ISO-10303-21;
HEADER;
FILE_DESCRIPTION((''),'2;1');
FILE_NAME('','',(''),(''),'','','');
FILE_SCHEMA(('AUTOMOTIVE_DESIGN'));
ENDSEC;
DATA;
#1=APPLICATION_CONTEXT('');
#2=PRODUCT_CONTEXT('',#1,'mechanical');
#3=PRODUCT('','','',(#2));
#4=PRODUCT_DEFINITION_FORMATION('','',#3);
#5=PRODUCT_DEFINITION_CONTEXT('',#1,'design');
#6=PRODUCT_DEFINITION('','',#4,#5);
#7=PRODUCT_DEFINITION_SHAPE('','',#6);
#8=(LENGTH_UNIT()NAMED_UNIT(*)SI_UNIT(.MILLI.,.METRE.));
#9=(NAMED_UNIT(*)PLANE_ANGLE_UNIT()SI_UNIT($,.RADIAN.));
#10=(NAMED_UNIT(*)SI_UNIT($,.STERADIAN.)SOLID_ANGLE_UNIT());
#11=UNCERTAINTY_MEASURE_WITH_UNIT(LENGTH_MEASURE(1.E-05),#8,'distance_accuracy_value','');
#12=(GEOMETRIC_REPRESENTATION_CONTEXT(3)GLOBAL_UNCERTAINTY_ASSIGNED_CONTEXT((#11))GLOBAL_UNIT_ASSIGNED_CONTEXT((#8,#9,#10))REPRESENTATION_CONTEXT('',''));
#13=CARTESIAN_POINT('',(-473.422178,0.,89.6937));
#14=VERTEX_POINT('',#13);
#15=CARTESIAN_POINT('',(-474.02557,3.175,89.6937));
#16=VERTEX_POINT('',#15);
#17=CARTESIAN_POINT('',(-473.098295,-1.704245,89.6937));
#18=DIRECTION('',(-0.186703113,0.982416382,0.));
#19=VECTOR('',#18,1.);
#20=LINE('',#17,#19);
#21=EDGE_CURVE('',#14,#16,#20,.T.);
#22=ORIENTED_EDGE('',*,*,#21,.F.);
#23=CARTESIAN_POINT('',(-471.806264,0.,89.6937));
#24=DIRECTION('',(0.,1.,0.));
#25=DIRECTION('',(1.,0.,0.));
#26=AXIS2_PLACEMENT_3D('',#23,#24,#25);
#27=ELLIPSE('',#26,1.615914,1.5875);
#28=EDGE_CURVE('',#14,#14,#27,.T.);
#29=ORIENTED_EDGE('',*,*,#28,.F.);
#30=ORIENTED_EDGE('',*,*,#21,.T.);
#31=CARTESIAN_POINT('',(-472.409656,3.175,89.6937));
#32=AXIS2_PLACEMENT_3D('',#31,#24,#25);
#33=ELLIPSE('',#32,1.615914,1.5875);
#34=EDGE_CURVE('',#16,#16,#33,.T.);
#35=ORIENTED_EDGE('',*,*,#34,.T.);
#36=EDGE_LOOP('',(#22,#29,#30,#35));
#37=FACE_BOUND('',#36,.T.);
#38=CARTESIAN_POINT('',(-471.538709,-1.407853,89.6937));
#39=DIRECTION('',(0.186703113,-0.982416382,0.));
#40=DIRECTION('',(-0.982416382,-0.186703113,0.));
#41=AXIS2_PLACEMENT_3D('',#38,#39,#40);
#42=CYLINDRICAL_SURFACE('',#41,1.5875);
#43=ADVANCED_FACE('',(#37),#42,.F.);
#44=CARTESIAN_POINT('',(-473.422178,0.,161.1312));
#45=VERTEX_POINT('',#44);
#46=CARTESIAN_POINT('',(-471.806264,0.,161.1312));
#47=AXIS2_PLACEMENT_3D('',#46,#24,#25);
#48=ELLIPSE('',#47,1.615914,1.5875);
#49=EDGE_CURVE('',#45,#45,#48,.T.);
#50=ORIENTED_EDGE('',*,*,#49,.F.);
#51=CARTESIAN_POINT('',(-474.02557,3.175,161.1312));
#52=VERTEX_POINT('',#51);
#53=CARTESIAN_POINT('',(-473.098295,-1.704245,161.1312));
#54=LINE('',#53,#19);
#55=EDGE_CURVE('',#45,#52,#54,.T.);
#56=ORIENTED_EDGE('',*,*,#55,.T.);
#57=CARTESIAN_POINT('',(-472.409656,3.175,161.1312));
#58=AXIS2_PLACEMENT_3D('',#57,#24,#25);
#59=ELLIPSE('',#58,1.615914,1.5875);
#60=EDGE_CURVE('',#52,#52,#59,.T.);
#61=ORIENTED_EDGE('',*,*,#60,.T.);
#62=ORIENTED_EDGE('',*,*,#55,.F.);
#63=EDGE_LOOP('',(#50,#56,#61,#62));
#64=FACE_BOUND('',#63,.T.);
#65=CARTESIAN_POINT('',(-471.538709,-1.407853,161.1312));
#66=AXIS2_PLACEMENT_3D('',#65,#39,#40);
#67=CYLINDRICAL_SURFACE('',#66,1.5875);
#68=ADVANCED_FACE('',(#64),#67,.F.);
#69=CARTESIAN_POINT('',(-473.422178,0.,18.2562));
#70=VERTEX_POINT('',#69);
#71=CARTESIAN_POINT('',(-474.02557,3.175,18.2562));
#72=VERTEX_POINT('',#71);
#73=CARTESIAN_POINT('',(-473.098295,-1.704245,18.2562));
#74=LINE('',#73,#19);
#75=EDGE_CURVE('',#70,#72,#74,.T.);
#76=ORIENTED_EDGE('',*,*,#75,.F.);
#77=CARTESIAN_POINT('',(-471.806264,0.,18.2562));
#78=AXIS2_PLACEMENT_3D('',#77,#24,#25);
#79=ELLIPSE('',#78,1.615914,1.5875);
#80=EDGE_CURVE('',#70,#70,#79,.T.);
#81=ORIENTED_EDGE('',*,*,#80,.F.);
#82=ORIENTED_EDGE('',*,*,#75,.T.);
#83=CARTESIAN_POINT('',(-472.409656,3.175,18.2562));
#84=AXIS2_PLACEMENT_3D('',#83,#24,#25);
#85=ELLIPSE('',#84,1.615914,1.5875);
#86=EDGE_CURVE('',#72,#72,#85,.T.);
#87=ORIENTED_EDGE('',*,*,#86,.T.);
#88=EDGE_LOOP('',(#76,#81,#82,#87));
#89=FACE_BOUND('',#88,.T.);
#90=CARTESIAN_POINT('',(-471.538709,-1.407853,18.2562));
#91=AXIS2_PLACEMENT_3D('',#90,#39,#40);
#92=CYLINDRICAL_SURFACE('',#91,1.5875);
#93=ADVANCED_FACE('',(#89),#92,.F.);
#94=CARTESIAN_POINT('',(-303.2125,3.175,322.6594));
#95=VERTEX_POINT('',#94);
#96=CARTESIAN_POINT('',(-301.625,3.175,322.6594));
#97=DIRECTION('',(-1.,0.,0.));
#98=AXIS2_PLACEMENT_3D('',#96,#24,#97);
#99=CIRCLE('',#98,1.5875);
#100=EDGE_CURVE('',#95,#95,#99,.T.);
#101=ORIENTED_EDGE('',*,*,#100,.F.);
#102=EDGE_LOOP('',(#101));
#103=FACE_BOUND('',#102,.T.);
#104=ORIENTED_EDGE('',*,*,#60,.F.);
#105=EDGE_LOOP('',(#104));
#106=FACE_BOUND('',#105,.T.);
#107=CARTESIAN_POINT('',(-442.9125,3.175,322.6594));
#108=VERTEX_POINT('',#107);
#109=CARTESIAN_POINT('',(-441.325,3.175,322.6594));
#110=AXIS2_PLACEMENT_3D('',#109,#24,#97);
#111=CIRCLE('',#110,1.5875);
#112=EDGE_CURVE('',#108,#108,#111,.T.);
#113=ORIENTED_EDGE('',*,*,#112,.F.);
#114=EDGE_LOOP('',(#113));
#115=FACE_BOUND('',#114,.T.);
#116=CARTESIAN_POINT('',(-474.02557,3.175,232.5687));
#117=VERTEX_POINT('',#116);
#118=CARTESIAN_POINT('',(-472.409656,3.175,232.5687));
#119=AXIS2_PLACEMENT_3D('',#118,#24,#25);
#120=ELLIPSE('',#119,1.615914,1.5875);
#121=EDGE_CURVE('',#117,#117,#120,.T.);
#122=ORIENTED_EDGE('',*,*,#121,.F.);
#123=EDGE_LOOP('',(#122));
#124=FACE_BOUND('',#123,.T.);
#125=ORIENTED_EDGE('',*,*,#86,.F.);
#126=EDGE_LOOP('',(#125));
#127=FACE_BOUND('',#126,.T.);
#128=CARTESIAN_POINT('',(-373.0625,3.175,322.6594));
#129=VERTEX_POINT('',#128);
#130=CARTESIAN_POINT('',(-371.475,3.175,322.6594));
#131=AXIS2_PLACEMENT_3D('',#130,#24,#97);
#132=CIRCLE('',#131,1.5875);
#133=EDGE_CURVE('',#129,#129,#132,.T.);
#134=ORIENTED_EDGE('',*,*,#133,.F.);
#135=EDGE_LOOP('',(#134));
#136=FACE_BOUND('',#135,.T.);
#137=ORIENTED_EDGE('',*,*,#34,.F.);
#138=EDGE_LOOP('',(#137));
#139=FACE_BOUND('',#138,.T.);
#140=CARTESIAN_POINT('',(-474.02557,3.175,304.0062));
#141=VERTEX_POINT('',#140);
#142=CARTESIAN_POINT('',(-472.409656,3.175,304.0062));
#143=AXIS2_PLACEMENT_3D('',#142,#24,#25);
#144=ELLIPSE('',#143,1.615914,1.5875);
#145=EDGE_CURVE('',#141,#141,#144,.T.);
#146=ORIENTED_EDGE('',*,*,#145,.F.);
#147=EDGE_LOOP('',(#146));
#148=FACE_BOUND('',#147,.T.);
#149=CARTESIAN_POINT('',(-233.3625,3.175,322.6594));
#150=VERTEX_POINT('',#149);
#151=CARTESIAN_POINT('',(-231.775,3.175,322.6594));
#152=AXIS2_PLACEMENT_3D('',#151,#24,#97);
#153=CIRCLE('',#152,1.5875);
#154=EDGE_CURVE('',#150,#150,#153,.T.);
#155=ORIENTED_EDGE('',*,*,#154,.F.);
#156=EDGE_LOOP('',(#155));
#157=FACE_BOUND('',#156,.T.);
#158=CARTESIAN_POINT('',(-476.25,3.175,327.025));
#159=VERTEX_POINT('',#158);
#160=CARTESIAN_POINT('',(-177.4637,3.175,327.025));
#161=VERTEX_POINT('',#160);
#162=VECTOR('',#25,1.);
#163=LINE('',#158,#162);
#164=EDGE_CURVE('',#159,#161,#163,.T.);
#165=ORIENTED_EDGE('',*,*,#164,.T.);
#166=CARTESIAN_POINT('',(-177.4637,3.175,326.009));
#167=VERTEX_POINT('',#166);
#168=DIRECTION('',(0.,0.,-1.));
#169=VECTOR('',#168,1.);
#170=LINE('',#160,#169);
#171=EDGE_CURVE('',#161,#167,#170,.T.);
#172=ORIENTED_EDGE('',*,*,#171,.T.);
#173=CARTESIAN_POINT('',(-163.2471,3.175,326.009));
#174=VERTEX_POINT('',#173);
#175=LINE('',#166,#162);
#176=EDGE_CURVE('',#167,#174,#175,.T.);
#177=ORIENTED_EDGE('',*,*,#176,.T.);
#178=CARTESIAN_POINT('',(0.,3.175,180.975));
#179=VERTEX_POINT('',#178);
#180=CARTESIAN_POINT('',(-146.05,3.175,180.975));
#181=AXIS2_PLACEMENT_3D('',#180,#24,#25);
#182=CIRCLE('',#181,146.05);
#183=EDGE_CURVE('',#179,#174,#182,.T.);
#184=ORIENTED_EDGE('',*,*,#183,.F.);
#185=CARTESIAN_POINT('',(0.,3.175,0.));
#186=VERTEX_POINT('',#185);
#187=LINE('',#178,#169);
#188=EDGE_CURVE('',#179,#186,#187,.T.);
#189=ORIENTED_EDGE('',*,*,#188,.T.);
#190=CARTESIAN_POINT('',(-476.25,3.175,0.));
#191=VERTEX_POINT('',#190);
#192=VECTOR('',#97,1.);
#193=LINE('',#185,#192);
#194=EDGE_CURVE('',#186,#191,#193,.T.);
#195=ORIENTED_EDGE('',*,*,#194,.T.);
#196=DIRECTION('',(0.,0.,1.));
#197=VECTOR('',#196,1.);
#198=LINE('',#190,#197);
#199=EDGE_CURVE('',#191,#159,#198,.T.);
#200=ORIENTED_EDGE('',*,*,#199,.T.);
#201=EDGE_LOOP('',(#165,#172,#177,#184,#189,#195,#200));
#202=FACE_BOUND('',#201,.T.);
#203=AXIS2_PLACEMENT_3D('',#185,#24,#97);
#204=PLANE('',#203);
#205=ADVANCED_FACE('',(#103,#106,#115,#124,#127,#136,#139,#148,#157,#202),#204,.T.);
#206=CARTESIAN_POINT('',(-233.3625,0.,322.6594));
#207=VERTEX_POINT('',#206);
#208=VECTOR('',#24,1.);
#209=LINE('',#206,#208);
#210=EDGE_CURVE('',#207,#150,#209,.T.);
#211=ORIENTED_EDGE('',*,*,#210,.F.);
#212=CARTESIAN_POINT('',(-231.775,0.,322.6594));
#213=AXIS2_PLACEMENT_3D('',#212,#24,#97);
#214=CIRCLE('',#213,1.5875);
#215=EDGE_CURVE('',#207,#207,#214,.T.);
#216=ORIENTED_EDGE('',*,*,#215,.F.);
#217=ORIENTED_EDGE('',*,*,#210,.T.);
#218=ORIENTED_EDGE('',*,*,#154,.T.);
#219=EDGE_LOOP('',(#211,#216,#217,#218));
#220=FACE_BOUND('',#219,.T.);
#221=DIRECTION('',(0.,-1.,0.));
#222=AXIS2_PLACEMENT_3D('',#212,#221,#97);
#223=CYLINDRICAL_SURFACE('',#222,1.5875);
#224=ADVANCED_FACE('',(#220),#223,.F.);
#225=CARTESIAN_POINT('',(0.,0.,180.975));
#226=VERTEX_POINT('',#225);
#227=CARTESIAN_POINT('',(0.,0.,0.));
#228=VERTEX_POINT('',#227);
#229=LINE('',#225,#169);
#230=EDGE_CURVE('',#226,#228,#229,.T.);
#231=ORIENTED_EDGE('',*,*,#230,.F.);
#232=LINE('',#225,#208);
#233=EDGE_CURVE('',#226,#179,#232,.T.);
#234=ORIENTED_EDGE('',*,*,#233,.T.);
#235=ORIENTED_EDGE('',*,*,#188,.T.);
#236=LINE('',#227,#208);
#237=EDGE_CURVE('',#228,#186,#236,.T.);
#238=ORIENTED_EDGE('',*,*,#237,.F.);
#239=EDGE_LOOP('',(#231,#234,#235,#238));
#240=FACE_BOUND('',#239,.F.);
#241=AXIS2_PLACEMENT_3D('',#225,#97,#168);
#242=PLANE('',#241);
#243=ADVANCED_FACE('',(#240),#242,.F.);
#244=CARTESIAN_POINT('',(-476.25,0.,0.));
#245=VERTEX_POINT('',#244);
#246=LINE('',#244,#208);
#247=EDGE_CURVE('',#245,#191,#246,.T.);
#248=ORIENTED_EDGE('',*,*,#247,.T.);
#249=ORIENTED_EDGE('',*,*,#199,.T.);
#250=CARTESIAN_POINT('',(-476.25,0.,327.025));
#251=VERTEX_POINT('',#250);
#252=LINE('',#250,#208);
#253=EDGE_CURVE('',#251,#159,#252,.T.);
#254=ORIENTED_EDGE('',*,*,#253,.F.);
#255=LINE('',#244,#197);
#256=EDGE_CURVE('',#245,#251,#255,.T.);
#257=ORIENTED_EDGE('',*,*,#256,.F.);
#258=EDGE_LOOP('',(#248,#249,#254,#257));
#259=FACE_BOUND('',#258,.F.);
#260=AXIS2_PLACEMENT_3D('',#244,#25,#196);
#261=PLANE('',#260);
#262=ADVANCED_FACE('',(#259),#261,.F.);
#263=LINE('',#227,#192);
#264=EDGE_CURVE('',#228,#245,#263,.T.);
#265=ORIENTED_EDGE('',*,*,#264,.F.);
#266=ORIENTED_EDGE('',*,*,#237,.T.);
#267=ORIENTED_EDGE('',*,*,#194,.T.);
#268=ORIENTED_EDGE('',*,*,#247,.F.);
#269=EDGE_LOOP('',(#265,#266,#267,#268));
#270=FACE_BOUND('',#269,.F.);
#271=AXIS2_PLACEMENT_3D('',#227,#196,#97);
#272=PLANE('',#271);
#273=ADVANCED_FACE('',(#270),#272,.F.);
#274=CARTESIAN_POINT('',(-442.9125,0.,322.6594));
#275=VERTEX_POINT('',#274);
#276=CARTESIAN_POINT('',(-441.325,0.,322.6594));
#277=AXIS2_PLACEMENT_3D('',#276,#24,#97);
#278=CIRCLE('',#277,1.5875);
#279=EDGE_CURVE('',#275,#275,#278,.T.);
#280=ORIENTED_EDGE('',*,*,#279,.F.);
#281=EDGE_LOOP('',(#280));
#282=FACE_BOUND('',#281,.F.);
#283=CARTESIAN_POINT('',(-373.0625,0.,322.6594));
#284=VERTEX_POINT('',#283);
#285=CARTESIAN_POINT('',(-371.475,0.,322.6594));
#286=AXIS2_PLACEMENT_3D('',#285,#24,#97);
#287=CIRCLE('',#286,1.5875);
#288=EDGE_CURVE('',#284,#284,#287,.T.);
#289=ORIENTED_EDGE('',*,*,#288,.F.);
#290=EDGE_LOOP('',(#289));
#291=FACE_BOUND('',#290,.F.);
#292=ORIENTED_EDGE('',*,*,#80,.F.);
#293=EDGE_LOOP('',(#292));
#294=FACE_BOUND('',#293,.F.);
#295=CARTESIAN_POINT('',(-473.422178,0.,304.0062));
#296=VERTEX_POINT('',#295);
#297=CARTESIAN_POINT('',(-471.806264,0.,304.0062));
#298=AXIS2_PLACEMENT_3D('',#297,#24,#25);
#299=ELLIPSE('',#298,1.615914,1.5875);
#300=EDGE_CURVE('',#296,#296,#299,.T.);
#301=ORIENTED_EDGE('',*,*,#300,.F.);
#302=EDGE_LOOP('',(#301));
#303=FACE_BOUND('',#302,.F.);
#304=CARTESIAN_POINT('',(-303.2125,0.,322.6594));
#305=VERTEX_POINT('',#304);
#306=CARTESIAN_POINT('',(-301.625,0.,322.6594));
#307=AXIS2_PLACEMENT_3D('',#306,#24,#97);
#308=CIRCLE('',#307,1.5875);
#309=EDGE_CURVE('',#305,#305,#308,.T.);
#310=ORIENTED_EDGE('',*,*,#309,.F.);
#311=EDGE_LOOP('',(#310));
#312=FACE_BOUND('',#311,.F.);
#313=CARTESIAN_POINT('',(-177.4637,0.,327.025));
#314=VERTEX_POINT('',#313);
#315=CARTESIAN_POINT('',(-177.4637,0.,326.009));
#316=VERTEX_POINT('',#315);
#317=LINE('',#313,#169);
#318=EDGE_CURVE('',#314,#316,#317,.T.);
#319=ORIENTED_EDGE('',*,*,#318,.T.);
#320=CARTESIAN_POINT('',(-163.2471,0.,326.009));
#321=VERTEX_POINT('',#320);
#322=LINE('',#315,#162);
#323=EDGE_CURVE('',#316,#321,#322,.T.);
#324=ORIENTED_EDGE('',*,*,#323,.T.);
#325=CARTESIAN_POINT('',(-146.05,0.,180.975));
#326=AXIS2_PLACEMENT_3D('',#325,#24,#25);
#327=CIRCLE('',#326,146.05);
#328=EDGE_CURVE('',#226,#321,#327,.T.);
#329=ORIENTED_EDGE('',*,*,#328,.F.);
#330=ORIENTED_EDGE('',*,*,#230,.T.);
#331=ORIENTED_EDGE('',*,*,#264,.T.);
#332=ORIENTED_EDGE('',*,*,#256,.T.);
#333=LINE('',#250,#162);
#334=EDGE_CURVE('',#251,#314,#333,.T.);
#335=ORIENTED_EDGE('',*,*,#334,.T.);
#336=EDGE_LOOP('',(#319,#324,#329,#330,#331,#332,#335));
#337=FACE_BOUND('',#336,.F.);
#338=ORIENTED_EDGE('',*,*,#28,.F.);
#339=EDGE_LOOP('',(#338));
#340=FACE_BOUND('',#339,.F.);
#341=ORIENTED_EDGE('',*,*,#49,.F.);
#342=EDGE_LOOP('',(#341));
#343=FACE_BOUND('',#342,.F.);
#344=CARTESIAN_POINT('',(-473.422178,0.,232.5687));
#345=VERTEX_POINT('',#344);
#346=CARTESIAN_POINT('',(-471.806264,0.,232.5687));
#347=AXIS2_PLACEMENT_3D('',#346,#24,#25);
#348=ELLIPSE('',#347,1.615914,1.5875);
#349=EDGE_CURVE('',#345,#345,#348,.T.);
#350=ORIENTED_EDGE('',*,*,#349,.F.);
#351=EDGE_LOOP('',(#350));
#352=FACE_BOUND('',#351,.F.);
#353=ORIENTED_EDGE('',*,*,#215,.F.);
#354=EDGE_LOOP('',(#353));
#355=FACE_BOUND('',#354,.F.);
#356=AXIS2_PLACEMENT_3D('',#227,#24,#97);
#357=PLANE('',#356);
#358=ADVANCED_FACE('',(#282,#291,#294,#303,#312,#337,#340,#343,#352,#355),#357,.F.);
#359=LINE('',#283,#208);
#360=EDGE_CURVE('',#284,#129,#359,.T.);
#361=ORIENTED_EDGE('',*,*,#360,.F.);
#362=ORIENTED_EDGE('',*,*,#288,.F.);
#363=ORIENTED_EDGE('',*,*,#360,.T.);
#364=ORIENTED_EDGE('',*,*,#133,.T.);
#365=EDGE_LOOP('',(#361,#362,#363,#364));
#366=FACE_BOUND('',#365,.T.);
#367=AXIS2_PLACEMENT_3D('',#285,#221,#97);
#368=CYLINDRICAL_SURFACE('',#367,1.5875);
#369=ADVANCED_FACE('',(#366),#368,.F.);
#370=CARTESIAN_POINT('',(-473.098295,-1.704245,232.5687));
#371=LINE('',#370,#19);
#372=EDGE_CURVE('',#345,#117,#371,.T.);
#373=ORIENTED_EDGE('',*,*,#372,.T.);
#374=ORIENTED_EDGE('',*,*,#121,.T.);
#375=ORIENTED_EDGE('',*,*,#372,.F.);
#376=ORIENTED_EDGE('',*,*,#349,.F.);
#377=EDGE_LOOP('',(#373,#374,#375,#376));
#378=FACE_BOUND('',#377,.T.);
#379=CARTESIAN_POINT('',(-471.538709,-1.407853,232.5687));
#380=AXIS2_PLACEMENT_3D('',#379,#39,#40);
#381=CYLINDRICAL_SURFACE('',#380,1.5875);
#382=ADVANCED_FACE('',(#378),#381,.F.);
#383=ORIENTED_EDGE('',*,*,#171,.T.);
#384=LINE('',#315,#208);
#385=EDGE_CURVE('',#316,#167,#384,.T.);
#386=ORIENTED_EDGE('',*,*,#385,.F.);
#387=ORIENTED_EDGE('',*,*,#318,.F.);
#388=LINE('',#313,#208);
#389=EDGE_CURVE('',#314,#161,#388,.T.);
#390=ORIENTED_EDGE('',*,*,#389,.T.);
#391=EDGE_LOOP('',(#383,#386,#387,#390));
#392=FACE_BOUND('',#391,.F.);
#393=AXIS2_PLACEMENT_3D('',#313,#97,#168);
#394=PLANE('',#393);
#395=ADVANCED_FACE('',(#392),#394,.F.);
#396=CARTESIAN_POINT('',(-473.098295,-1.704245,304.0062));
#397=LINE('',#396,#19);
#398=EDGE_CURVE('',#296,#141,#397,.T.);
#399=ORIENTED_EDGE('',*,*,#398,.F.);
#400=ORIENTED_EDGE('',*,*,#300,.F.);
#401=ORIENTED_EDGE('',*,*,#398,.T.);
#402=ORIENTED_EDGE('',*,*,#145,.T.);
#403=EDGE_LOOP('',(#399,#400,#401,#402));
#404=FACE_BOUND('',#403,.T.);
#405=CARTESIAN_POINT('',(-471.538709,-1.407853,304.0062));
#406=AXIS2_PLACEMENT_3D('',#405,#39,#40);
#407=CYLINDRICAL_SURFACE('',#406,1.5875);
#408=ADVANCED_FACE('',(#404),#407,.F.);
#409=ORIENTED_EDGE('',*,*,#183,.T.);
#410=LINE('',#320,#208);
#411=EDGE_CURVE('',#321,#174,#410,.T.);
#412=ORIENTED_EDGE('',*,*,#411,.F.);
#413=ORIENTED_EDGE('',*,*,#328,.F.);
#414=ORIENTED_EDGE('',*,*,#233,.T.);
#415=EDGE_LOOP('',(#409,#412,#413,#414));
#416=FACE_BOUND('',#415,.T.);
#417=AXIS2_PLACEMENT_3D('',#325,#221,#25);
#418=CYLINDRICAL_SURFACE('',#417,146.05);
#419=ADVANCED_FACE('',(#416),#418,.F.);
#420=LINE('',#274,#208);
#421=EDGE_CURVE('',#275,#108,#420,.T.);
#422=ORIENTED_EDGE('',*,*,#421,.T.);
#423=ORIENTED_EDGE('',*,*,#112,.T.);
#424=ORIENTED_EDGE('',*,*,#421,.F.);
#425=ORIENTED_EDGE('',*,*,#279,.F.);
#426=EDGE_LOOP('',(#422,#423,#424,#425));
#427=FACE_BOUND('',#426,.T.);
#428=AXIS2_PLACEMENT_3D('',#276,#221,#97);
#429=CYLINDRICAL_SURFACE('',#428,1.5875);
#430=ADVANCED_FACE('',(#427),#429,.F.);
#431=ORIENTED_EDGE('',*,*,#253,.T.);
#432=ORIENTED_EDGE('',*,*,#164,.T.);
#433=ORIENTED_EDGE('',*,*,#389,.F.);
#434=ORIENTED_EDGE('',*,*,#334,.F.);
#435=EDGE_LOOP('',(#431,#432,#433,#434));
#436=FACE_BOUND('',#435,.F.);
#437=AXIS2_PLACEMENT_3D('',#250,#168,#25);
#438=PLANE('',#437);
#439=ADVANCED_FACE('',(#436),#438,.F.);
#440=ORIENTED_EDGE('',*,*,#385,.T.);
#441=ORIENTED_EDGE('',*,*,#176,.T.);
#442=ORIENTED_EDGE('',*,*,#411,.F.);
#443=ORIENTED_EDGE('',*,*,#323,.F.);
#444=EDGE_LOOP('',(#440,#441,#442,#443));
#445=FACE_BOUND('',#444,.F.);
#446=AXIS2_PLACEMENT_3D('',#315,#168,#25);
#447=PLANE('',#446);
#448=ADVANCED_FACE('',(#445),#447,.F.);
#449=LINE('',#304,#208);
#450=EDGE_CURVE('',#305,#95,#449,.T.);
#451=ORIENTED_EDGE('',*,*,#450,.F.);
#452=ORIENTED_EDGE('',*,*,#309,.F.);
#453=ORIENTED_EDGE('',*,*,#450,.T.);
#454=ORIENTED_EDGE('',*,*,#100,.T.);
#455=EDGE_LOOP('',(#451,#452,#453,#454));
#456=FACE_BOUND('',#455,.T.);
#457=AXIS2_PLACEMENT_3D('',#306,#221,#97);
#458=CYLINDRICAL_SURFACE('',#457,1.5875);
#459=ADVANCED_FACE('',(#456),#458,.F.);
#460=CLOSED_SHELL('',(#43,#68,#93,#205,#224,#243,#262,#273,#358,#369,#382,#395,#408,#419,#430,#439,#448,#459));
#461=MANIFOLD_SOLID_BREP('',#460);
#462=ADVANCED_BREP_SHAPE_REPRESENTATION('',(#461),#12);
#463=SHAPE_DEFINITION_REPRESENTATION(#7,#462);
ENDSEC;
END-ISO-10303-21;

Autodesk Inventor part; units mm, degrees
ref_plane "YZ Plane" through (0, 0, 0) normal (1, 0, 0) x (0, 1, 0)
ref_plane "XZ Plane" through (0, 0, 0) normal (0, 1, 0) x (-1, 0, 0)
sketch "Sketch1" plane through (0, 0, 0) normal (0, 1, 0) x (-1, 0, 0)
  arc A0 (0, 180.975) -> (146.05, 327.025) centre (146.05, 180.975) ccw
  line L0 (0, 180.975) -> (0, 0)
  line L1 (0, 0) -> (476.25, 0)
  line L2 (476.25, 0) -> (476.25, 327.025)
  line L3 (476.25, 327.025) -> (146.05, 327.025)
  circle A1 centre (301.625, 322.6594) radius 1.5875 projected
  circle A2 centre (441.325, 322.6594) radius 1.5875 projected
  circle A3 centre (371.475, 322.6594) radius 1.5875 projected
  circle A4 centre (231.775, 322.6594) radius 1.5875 projected
  line L4 (450.85, 330.2) -> (450.85, 315.1187) construction
  line L5 (450.85, 330.2) -> (222.25, 330.2) construction
  line L6 (222.25, 315.1187) -> (222.25, 330.2) construction
  line L7 (450.85, 315.1187) -> (222.25, 315.1187) construction
  line L8 (152.5101, 326.2312) -> (152.5101, 327.025) construction
  line L9 (152.5101, 326.2312) -> (177.4637, 326.2312) construction
  line L10 (177.4637, 327.025) -> (177.4637, 326.2312) construction
  line L11 (152.5101, 327.025) -> (177.4637, 327.025) construction
  line L12 (177.4637, 327.025) -> (177.4637, 326.009)
  line L13 (177.4637, 326.009) -> (163.2471, 326.009)
  arc A5 (163.2471, 326.009) -> (146.05, 327.025) centre (146.05, 180.975) ccw
  line L14 (146.05, 327.025) -> (177.4637, 327.025)
  dimension "d0" = 327.025
  dimension "d1" = 330.2
  dimension "d2" = 476.25
  dimension "d3" = 146.05
  dimension "d4" = 180.975
  dimension "d9" = 1.016
extrude "Extrusion1" add sketch "Sketch1" along normal blind 3.175 contours A0 L13 L12 L3 L2 L1 L0
ref_plane "Work Plane1" through (-464.1307, 0, 8.7312) normal (-0.1867, 0.9824, 0) x (-0.9824, -0.1867, 0)
sketch "Sketch2" plane through (-464.1307, 0, 8.7312) normal (-0.1867, 0.9824, 0) x (-0.9824, -0.1867, 0)
  circle A0 centre (7.5406, 223.8375) radius 1.5875 projected
  circle A1 centre (7.5406, 80.9625) radius 1.5875 projected
  circle A2 centre (7.5406, 9.525) radius 1.5875 projected
  circle A3 centre (7.5406, 152.4) radius 1.5875 projected
  circle A4 centre (7.5406, 295.275) radius 1.5875 projected
  line L0 (15.0813, 0) -> (0, 0) construction
  line L1 (15.0813, 0) -> (15.0813, 304.8) construction
  line L2 (0, 304.8) -> (15.0813, 304.8) construction
  line L3 (0, 0) -> (0, 304.8) construction
  point P0 (-455.9729, -8.7312)
extrude "Extrusion2" cut sketch "Sketch2" along normal through all
properties part number "Hopper Bottom" material "Polycarbonate, Clear"
